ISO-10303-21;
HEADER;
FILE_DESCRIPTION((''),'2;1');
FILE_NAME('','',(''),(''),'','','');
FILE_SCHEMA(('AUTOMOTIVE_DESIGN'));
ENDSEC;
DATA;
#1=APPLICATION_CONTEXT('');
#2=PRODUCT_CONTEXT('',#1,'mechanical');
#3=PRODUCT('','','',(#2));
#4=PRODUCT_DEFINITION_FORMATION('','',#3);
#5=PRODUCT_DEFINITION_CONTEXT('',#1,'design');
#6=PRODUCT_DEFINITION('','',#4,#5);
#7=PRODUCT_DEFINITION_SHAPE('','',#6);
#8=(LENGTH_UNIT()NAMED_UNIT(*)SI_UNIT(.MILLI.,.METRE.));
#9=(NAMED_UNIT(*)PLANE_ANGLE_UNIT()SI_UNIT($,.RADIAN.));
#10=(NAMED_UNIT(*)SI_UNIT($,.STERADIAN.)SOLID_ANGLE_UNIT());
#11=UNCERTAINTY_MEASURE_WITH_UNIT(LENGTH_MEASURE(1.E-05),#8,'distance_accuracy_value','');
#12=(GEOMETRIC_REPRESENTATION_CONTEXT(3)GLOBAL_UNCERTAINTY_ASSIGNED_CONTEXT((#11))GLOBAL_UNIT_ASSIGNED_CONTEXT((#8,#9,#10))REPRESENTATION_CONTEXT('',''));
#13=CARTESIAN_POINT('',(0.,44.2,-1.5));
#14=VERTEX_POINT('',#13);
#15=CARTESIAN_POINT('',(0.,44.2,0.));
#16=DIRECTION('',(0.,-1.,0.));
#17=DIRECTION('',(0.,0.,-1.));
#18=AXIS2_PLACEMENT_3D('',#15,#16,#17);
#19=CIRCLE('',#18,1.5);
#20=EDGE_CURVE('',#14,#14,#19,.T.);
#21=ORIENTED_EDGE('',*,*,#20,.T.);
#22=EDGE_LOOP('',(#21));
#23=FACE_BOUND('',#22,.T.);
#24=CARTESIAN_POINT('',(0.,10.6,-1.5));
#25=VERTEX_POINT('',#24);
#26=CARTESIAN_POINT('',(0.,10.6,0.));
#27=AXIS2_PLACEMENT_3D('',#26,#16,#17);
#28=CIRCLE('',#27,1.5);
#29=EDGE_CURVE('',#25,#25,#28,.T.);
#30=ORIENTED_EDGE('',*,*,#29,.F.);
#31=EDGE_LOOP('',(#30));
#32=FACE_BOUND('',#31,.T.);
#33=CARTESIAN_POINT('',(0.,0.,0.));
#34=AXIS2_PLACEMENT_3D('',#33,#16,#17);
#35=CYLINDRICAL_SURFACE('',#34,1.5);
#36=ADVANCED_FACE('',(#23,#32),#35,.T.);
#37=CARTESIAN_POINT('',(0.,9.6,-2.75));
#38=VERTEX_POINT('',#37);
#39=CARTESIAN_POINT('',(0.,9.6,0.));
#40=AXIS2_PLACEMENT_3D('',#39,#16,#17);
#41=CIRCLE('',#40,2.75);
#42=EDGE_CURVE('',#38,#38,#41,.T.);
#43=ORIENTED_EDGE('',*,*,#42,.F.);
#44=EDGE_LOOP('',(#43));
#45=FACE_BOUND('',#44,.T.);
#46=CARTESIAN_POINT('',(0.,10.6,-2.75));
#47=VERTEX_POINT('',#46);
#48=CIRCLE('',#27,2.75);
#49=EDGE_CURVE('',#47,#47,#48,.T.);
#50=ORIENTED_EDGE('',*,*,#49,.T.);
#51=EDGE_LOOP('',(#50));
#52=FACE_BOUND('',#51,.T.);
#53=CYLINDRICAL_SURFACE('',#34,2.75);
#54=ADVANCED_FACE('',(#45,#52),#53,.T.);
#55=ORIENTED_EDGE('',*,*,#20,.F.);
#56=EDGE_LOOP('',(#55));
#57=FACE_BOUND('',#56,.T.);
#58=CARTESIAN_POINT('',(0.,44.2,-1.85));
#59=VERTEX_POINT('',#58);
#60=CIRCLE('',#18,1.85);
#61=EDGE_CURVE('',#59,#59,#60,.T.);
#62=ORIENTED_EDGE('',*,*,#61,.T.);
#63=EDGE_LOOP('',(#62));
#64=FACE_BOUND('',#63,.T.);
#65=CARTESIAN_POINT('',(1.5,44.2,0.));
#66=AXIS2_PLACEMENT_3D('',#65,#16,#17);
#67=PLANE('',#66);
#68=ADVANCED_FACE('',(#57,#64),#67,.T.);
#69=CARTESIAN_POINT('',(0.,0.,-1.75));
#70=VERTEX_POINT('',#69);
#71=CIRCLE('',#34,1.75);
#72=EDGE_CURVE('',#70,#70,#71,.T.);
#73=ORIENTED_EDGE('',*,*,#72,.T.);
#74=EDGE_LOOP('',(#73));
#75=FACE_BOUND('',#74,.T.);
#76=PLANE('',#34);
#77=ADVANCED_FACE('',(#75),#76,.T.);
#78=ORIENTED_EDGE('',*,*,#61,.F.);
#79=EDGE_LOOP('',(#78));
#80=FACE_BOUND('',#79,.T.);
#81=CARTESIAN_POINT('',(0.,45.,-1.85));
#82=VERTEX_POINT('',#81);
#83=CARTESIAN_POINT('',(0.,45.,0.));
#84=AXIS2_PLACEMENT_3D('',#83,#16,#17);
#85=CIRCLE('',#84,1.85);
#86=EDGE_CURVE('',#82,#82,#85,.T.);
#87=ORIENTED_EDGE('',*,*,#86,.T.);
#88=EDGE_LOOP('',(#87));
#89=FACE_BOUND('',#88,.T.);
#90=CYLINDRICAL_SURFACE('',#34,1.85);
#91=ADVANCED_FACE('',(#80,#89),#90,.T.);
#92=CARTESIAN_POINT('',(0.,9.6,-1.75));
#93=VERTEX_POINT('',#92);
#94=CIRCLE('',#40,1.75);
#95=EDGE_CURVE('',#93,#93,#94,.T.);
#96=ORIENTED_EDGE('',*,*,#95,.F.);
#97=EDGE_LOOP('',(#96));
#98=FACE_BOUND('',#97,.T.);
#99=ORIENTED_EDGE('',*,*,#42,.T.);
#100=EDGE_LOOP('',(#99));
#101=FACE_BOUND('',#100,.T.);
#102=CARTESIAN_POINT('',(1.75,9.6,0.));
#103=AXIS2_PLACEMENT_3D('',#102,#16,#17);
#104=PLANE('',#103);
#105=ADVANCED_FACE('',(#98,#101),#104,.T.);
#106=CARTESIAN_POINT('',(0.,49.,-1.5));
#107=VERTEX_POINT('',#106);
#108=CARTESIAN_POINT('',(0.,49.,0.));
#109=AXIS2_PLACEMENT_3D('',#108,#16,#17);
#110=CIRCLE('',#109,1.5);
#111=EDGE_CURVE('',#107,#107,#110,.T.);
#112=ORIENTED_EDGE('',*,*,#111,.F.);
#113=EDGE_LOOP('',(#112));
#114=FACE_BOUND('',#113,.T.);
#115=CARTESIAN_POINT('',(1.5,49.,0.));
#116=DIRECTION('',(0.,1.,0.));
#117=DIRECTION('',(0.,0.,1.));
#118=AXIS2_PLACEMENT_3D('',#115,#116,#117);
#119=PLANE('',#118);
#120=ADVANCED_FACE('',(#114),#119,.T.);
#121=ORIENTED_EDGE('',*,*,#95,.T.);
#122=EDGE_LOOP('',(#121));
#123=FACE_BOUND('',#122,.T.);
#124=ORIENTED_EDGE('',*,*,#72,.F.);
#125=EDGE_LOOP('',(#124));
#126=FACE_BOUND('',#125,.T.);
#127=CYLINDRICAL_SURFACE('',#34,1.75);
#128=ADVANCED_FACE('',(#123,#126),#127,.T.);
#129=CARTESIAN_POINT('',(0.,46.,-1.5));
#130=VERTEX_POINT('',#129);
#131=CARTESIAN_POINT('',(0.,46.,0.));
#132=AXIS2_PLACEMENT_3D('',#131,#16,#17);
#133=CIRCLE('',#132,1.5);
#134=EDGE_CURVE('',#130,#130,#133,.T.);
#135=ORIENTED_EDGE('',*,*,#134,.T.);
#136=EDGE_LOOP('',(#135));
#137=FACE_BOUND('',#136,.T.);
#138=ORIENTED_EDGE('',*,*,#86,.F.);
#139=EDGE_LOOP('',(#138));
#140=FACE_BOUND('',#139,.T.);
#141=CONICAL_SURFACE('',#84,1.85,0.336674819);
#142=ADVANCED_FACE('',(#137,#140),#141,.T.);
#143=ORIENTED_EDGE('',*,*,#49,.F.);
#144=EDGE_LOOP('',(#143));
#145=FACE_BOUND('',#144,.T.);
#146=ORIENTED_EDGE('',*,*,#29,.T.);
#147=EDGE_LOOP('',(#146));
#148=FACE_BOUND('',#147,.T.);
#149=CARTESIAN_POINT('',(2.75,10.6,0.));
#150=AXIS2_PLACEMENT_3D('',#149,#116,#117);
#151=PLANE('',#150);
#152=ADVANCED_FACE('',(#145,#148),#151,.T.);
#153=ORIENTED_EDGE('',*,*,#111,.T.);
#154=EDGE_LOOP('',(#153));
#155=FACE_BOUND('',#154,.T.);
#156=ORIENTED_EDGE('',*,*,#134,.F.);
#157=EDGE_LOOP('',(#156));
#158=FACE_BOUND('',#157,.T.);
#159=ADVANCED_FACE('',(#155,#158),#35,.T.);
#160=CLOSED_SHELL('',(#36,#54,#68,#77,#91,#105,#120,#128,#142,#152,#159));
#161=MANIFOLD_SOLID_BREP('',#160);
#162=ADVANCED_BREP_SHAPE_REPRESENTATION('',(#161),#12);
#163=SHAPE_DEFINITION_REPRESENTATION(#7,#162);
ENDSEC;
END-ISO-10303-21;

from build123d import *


with BuildPart() as part:
    # Sketch1 → Revolve1 (revolve)
    with BuildSketch(Plane.XY):
        Polygon((0, 0), (1.75, 0), (1.75, 9.6), (2.75, 9.6), (2.75, 10.6), (1.5, 10.6), (1.5, 44.2), (1.85, 44.2), (1.85, 45), (1.5, 46), (1.5, 49), (0, 49), align=None)
    revolve(axis=Axis((0, 0, 0), (0, 1, 0)))


solid = part.part
